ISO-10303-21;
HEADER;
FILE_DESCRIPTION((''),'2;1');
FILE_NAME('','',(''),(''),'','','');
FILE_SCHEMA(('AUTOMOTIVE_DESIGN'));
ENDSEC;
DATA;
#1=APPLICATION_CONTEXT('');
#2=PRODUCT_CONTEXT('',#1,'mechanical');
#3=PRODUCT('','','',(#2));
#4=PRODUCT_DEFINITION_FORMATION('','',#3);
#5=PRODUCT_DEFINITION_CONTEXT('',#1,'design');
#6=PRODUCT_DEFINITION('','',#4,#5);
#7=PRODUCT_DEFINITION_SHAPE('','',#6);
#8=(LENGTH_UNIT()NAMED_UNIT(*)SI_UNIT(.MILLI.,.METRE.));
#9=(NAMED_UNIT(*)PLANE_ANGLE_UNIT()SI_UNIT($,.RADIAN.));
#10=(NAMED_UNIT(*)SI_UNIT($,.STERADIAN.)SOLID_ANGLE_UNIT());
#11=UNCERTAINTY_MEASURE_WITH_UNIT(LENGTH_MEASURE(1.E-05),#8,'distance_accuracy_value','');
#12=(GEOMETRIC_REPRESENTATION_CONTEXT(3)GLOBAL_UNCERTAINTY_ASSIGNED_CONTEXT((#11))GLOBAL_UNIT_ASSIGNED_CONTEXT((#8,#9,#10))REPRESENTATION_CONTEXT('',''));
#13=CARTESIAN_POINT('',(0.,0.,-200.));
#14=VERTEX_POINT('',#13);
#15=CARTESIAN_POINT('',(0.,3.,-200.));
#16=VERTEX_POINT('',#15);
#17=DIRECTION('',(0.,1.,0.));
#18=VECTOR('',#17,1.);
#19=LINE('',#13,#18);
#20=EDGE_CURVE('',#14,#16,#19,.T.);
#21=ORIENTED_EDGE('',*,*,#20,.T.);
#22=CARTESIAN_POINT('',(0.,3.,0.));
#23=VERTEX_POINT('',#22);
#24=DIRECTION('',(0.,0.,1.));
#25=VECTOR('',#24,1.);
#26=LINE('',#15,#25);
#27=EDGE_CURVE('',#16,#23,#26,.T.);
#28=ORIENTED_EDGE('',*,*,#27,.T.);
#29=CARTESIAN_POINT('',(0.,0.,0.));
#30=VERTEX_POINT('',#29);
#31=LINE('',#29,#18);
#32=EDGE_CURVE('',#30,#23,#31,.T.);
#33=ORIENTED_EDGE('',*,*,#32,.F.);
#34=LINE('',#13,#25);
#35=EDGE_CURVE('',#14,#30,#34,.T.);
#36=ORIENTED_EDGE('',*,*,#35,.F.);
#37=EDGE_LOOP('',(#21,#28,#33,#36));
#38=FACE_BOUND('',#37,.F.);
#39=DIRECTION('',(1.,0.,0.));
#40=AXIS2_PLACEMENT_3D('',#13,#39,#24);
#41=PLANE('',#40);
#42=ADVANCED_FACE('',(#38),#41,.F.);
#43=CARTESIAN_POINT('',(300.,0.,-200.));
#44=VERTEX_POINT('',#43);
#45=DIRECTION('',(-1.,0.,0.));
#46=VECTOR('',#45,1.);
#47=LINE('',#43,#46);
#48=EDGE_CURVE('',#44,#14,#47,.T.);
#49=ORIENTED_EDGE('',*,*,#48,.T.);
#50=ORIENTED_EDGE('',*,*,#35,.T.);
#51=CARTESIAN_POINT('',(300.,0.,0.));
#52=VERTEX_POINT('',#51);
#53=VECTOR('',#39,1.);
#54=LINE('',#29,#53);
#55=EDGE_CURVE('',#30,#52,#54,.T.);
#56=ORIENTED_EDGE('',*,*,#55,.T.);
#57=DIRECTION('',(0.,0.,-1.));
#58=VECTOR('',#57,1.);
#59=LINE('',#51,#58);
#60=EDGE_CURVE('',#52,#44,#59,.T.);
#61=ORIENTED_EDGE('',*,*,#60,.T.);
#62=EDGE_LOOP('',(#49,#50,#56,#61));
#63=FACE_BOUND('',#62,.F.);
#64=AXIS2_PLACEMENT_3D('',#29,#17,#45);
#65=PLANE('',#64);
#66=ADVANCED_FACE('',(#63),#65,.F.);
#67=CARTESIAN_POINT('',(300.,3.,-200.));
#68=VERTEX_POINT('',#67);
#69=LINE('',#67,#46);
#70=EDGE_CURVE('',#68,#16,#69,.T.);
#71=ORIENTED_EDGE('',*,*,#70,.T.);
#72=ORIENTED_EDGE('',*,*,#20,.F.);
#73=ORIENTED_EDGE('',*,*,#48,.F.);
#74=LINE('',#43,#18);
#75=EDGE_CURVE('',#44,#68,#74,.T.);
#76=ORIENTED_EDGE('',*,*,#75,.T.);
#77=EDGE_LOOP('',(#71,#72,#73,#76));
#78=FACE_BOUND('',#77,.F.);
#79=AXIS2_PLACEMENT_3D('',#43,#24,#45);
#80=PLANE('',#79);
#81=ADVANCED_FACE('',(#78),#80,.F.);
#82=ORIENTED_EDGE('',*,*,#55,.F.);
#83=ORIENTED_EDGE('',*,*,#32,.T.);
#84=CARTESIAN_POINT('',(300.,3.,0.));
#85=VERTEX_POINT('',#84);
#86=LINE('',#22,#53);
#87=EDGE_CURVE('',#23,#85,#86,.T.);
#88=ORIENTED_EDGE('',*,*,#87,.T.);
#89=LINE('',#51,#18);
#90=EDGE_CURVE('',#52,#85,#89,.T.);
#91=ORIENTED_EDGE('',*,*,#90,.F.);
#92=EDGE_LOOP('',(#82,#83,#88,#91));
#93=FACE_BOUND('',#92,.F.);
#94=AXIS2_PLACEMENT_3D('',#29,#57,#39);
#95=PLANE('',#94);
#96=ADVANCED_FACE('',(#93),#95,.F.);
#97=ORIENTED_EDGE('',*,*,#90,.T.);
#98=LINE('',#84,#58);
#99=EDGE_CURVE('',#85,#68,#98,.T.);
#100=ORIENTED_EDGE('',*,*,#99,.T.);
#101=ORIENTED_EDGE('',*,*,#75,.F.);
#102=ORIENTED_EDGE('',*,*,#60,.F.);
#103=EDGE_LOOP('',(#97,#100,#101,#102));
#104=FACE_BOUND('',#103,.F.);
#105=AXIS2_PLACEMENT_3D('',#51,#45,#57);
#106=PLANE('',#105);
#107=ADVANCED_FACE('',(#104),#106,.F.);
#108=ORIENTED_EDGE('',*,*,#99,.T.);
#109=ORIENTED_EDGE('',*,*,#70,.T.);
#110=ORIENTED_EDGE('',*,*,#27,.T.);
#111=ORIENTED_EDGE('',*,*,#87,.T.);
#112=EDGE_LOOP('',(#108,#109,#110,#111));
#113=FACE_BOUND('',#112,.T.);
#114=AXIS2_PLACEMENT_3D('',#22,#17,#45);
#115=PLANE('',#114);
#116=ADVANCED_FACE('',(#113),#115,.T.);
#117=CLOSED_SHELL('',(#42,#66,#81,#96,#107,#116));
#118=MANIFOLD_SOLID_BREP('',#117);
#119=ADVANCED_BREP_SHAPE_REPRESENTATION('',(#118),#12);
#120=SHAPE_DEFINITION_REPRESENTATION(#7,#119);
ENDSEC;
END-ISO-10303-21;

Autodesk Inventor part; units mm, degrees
ref_plane "YZ Plane" through (0, 0, 0) normal (1, 0, 0) x (0, 1, 0)
ref_plane "XZ Plane" through (0, 0, 0) normal (0, 1, 0) x (-1, 0, 0)
ref_plane "XY Plane" through (0, 0, 0) normal (0, 0, 1) x (1, 0, 0)
sketch "Sketch1" plane through (0, 0, 0) normal (0, 1, 0) x (-1, 0, 0)
  line L0 (0, 0) -> (-300, 0)
  line L1 (-300, 0) -> (-300, -200)
  line L2 (-300, -200) -> (0, -200)
  line L3 (0, -200) -> (0, 0)
  dimension "d0" = 300
  dimension "d1" = 200
extrude "Extrusion1" add sketch "Sketch1" along normal blind 3
properties part number "bed-heater"
